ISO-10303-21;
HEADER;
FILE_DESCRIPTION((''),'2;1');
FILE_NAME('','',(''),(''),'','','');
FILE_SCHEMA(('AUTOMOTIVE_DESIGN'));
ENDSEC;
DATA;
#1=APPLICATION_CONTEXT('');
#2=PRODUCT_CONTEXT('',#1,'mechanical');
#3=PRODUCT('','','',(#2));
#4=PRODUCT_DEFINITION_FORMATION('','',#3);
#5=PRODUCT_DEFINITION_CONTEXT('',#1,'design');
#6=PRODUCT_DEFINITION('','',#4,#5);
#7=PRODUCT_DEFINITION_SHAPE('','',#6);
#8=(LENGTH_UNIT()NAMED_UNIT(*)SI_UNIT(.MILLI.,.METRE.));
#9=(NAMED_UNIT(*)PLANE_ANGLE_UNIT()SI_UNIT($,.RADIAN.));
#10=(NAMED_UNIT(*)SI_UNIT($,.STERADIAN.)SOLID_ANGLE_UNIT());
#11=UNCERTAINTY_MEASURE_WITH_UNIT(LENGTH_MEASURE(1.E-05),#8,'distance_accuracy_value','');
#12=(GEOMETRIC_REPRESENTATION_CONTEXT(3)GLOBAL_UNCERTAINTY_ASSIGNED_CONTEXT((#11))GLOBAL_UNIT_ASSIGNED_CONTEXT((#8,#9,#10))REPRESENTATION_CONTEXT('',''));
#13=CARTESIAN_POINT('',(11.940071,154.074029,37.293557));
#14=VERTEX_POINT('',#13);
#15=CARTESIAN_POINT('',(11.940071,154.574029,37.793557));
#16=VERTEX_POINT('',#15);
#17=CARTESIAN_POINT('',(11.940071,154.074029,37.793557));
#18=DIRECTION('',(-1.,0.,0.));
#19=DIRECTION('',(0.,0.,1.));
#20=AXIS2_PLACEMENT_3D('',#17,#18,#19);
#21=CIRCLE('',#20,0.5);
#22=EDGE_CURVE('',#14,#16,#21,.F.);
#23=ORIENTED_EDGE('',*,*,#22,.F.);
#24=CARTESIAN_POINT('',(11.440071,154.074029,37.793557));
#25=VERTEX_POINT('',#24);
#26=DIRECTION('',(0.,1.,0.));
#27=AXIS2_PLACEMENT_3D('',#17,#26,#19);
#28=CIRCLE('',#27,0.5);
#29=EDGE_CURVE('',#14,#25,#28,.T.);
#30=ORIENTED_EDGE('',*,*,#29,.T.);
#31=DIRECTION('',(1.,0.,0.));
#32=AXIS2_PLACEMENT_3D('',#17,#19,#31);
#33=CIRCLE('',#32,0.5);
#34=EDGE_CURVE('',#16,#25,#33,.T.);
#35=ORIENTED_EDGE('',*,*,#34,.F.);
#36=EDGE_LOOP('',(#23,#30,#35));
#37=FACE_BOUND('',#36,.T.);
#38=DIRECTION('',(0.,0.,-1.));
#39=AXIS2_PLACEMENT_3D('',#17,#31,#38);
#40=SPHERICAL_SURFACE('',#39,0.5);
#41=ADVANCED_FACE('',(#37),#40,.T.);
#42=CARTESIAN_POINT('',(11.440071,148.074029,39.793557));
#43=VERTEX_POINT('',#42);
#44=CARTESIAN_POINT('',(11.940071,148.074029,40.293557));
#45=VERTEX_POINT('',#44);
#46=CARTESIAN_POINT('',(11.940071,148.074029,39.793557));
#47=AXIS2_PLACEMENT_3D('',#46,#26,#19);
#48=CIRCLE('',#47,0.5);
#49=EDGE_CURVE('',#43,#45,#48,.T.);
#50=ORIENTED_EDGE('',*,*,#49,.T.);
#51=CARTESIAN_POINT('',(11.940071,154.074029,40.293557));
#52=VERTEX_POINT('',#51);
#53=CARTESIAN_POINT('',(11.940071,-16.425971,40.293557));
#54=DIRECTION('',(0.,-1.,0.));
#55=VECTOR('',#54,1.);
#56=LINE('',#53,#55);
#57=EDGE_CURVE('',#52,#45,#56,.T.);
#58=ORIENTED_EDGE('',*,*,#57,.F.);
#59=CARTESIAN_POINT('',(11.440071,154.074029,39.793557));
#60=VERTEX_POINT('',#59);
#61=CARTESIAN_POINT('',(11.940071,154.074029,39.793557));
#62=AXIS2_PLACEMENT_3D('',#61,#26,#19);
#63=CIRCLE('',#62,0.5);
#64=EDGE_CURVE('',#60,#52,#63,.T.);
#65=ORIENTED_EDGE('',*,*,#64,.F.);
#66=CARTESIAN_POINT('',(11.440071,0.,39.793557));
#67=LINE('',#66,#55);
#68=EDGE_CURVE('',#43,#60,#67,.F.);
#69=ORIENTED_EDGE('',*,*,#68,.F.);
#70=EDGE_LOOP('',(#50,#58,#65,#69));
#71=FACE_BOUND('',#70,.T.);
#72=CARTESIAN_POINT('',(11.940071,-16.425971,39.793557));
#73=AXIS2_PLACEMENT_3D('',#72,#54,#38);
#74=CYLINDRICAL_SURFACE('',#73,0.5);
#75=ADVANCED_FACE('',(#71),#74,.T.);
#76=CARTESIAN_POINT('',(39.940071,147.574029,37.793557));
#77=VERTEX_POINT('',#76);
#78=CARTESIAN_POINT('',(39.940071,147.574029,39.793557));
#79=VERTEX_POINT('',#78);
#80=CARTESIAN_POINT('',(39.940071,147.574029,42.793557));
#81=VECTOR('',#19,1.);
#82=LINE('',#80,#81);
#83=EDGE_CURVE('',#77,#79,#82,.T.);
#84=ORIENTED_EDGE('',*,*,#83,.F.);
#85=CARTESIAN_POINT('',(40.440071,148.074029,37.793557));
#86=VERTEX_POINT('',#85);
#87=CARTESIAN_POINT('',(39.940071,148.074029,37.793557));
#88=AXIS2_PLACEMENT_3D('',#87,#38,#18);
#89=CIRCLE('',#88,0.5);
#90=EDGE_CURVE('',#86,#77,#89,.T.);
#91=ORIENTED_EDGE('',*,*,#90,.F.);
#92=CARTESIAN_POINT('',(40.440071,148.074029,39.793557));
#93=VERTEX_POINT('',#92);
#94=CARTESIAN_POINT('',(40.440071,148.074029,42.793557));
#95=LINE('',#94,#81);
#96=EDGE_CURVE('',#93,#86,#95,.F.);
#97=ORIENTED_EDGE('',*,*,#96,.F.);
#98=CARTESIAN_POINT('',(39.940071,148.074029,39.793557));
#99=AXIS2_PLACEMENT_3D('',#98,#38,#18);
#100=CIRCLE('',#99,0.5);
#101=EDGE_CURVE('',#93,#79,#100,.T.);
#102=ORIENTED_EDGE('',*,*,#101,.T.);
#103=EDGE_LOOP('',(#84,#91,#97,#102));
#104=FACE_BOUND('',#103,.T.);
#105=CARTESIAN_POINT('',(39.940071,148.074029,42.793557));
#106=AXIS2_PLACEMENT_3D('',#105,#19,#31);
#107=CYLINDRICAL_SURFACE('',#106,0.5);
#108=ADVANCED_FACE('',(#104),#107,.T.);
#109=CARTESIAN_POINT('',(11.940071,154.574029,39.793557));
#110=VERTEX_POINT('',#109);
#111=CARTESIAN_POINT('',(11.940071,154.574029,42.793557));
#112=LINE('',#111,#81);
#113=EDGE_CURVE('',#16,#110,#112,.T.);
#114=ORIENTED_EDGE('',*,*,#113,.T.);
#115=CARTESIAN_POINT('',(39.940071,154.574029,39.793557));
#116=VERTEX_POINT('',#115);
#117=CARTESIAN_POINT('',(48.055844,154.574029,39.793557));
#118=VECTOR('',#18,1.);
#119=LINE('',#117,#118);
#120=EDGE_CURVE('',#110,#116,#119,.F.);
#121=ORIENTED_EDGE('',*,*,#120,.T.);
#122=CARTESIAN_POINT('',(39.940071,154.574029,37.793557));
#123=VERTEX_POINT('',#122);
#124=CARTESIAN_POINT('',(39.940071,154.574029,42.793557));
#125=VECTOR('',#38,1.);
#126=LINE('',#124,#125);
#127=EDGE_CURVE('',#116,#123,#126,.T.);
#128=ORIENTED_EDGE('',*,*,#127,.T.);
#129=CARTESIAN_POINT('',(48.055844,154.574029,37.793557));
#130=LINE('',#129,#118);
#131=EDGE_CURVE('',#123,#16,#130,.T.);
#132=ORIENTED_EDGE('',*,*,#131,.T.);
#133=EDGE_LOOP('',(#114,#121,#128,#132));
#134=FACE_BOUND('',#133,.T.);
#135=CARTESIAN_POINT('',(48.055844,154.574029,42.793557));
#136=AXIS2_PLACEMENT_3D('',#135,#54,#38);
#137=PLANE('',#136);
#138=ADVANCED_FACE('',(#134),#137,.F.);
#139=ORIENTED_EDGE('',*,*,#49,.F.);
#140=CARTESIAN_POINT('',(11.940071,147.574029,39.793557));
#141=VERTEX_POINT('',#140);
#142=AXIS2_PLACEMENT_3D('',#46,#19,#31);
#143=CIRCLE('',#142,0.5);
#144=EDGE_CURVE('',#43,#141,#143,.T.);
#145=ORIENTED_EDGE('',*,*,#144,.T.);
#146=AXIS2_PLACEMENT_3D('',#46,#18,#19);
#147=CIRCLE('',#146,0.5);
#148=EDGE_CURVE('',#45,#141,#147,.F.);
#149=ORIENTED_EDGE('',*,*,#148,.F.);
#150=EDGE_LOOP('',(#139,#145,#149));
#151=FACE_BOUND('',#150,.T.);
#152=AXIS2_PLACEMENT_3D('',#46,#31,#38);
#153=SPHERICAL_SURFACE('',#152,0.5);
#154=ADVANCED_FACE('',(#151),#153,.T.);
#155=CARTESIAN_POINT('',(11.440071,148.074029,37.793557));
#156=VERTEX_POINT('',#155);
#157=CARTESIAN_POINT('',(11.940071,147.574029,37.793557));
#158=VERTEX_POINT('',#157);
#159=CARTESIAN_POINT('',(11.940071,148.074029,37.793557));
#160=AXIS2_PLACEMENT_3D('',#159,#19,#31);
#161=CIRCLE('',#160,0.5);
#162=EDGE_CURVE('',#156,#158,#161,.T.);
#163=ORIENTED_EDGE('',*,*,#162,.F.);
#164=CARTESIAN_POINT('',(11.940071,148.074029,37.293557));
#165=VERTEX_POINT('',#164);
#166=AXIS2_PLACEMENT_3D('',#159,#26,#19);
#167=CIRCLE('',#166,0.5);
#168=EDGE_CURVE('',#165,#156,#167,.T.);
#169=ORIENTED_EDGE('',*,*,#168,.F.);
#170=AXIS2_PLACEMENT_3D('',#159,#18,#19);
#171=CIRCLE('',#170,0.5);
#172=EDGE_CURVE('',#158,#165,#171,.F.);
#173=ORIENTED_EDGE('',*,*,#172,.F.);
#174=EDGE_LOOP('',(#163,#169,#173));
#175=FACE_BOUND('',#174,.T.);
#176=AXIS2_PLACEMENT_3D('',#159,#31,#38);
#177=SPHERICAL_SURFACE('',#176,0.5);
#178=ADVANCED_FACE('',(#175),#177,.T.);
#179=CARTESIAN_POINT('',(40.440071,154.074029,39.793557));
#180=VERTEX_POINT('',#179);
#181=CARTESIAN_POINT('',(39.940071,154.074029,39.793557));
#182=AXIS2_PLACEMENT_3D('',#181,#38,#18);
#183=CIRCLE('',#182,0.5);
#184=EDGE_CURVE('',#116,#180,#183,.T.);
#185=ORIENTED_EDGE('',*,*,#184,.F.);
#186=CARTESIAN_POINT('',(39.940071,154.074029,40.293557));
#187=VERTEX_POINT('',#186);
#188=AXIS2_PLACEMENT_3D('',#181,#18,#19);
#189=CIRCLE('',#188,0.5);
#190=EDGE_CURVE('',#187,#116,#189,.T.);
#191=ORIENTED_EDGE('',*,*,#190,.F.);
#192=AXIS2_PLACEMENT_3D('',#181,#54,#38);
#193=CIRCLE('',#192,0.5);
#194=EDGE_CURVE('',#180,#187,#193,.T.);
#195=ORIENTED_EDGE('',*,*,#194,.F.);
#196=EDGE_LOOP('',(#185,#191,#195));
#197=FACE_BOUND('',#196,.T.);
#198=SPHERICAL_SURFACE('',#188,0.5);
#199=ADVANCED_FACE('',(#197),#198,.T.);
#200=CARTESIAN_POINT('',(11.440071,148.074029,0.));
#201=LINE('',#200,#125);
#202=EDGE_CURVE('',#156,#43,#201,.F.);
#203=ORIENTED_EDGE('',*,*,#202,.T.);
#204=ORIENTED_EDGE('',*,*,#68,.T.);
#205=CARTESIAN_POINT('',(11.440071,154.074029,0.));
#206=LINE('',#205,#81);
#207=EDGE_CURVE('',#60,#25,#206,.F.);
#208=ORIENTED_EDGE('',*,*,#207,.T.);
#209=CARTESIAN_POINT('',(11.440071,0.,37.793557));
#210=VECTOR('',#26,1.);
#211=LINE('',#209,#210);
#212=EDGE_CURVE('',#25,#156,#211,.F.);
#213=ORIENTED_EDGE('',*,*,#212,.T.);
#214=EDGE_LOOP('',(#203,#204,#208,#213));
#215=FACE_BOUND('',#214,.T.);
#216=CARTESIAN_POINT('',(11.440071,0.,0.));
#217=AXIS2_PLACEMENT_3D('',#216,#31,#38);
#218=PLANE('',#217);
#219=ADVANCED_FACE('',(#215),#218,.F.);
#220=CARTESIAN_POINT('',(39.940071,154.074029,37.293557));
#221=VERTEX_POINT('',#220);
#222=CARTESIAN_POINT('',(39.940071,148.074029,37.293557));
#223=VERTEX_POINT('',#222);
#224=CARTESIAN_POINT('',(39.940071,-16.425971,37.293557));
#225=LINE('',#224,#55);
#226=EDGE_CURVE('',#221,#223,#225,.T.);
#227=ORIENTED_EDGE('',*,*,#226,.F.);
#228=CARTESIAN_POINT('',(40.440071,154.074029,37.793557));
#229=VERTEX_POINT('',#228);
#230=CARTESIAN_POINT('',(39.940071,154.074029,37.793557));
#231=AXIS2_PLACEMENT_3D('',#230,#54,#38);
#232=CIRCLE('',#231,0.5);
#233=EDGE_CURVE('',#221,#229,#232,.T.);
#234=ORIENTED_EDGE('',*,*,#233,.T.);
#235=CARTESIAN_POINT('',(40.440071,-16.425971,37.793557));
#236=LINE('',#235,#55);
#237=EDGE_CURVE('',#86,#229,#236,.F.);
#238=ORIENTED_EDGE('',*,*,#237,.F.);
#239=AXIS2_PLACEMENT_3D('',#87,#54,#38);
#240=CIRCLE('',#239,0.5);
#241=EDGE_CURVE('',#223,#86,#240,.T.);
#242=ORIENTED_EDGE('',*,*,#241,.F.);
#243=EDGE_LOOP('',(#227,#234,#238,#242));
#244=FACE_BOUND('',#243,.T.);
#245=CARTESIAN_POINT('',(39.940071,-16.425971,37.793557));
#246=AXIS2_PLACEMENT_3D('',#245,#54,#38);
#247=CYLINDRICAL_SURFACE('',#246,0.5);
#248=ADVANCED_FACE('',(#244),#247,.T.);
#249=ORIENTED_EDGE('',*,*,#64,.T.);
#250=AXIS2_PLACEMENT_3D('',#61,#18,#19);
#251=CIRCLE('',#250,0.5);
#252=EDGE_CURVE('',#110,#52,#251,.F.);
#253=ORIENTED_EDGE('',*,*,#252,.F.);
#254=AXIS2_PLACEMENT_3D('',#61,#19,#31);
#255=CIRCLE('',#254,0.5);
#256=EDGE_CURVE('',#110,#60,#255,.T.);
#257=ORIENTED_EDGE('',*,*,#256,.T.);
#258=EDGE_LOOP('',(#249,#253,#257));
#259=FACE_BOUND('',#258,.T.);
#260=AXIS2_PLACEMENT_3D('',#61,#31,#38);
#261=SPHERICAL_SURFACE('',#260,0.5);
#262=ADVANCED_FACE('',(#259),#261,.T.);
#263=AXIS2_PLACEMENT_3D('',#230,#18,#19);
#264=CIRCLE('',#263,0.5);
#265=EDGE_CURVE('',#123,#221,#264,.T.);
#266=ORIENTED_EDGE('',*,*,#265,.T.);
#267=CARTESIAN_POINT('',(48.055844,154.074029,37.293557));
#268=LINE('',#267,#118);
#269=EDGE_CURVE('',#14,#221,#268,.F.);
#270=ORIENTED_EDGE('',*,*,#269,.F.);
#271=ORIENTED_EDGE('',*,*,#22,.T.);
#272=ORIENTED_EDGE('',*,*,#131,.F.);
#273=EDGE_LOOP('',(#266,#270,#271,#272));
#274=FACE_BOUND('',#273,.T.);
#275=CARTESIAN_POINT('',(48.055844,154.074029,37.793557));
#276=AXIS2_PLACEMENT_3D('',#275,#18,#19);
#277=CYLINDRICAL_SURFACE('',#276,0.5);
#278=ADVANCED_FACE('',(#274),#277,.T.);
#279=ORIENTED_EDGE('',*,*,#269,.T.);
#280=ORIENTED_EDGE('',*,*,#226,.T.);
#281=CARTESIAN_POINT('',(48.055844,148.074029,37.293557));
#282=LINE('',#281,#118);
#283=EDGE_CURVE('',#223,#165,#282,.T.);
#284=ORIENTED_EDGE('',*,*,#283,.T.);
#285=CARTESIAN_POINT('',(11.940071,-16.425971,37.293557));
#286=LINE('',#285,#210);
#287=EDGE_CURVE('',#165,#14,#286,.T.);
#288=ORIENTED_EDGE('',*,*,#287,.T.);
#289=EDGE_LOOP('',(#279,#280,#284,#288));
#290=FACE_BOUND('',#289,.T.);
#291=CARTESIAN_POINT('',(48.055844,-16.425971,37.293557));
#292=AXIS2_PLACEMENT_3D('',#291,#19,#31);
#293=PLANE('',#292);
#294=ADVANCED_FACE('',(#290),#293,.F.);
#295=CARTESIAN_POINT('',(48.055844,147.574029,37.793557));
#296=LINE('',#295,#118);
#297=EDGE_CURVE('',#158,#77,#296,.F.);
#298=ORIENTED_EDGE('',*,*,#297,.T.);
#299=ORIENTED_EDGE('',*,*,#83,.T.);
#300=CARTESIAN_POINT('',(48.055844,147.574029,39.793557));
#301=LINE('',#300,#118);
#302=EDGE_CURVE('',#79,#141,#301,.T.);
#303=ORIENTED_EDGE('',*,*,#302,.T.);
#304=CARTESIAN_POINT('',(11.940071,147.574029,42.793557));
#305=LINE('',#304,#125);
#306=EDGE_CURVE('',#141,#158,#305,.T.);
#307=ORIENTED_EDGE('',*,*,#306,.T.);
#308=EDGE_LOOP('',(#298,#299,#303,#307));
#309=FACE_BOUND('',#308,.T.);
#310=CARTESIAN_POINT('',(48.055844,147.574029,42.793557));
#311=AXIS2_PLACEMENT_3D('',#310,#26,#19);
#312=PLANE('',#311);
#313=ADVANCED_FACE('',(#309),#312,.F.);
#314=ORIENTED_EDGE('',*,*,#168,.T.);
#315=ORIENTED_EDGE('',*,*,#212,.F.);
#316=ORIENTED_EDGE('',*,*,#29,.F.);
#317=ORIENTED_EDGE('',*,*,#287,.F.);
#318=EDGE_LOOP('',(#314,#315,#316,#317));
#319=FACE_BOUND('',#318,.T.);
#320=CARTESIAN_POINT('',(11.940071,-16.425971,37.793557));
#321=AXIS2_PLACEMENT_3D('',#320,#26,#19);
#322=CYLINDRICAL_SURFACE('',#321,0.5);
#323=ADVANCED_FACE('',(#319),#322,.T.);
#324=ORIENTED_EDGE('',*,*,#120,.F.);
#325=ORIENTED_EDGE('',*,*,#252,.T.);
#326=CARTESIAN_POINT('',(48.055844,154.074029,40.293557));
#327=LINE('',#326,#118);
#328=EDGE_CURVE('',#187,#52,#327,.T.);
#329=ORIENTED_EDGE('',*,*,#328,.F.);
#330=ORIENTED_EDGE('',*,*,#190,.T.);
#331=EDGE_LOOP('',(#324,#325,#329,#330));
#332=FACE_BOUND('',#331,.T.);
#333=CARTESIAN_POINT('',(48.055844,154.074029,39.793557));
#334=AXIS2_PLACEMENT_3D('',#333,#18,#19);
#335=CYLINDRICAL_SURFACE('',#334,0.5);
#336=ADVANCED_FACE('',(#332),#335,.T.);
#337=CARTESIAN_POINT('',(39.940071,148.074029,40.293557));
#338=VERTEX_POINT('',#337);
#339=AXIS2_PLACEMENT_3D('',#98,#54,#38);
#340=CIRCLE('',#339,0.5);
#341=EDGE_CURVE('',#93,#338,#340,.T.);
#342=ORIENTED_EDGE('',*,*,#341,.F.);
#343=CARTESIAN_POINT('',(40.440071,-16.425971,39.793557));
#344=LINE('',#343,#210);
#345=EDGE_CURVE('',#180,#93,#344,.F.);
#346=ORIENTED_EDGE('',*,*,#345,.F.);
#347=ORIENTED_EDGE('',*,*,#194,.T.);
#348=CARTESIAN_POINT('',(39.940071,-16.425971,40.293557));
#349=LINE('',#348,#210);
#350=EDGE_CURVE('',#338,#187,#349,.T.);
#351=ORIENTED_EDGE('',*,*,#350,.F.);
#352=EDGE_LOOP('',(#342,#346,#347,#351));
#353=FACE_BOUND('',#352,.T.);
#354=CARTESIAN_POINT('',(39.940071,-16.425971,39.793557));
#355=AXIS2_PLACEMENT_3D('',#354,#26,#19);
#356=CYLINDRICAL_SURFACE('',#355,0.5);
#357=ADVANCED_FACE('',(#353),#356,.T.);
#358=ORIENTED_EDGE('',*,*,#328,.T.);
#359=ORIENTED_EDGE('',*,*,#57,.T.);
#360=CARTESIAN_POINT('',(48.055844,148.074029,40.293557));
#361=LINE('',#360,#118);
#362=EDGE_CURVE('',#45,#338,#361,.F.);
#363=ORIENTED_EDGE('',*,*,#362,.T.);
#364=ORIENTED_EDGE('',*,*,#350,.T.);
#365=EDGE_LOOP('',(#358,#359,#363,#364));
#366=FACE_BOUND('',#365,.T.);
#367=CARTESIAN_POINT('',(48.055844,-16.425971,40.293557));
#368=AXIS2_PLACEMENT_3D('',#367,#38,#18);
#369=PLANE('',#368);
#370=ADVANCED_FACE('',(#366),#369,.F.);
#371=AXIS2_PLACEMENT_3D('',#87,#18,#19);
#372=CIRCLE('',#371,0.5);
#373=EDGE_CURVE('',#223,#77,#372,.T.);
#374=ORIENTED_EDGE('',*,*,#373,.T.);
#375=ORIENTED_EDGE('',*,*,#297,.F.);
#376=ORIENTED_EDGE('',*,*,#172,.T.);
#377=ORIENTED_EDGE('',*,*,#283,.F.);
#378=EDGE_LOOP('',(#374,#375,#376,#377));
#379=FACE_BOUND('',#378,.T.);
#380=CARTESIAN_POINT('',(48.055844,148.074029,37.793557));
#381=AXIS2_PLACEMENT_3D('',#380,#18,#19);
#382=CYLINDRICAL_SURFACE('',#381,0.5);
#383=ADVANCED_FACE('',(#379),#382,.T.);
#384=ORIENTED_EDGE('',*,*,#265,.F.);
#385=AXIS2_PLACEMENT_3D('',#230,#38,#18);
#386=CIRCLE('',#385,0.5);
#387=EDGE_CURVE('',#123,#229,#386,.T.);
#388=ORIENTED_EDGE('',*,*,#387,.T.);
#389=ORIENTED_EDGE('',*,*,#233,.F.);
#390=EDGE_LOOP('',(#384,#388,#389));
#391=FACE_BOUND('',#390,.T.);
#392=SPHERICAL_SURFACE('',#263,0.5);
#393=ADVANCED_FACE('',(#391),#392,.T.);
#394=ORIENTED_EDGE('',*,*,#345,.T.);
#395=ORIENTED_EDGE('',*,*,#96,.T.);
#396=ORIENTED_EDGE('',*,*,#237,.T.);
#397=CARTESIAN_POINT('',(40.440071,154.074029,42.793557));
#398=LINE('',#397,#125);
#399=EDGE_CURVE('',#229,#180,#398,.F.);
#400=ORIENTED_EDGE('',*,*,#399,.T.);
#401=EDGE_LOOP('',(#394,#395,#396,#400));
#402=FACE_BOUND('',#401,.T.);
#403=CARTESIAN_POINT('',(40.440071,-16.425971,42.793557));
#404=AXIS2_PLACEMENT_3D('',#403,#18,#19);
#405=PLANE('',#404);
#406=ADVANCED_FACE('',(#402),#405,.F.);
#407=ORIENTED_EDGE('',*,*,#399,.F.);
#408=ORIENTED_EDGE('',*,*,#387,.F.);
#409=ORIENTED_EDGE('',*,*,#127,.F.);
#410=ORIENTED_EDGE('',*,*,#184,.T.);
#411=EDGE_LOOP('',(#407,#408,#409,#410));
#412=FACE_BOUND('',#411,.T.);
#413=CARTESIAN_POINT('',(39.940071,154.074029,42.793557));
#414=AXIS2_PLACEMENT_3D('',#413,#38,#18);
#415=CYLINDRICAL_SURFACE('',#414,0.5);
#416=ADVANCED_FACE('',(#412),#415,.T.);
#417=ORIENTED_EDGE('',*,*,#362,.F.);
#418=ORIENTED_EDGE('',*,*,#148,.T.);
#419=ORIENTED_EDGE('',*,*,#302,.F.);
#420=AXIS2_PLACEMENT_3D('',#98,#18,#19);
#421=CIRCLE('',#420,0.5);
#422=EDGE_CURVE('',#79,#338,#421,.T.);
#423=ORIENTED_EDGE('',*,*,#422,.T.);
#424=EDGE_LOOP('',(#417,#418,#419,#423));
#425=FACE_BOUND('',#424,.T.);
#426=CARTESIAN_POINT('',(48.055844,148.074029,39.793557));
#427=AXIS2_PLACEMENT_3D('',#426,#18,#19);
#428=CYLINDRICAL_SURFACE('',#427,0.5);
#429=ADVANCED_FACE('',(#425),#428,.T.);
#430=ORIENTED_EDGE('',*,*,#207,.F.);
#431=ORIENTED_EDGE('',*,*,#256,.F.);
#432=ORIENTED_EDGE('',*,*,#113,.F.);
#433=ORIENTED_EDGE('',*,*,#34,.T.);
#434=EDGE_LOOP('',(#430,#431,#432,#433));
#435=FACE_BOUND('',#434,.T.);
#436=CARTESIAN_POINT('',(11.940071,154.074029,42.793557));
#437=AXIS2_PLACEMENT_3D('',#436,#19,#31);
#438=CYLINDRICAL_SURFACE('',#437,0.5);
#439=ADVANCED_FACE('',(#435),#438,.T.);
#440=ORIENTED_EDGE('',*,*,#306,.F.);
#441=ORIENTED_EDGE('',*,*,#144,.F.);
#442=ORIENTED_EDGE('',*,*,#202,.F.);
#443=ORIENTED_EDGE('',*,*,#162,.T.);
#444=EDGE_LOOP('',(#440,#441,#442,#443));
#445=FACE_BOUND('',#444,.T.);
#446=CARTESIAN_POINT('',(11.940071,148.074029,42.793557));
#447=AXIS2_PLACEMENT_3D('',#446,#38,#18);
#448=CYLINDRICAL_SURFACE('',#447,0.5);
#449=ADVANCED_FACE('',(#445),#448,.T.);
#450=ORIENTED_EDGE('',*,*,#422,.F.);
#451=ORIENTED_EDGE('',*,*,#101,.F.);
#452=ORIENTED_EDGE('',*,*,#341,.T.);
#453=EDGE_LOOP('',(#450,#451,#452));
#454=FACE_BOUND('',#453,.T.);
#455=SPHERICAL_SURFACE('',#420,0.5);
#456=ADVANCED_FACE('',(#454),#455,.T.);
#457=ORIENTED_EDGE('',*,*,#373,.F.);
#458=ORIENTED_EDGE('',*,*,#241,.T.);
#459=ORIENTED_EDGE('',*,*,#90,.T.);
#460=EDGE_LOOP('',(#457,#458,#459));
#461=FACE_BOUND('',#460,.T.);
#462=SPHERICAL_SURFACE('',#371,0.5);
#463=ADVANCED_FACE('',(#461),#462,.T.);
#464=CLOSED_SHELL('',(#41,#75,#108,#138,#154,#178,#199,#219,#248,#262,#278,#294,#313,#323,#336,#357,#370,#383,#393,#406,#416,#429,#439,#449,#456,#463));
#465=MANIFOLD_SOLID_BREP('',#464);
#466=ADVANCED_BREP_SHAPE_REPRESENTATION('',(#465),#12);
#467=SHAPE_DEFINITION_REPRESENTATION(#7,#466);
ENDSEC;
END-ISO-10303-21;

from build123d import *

# Parameters (mm, degrees)
BOSS_EXTRUDE1_START = 11.440071
SKETCH2_W           = 3
SKETCH2_H           = 7
BOSS_EXTRUDE1_DEPTH = 29
FILLET1_R           = 0.5
FILLET3_R           = 0.5


with BuildPart() as part:
    # Sketch2 → Boss-Extrude1 (new body)
    with BuildSketch(Plane(origin=(0, 0, 0), x_dir=(0, 0, -1), z_dir=(1, 0, 0)).offset(BOSS_EXTRUDE1_START)):
        with Locations((-38.793556796, 151.074028513)):
            Rectangle(SKETCH2_W, SKETCH2_H)
    extrude(amount=BOSS_EXTRUDE1_DEPTH)

    # Fillet1
    fillet1_edges = [part.edges().sort_by_distance(p)[0] for p in [
        (25.940071, 154.574028513, 40.293556796),
        (25.940071, 154.574028513, 37.293556796),
        (25.940071, 147.574028513, 37.293556796),
        (25.940071, 147.574028513, 40.293556796),
    ]]
    fillet(fillet1_edges, radius=FILLET1_R)

    # Fillet3
    fillet3_edges = [part.edges().sort_by_distance(p)[0] for p in [
        (40.440071, 154.574028513, 38.793556796),
        (11.440071, 154.574028513, 38.793556796),
        (11.440071, 151.074028513, 40.293556796),
        (11.440071, 151.074028513, 37.293556796),
        (11.440071, 147.574028513, 38.793556796),
        (11.440071, 147.720475122, 40.147110187),
        (11.440071, 147.720475122, 37.440003406),
        (11.440071, 154.427581903, 40.147110187),
        (11.440071, 154.427581903, 37.440003406),
        (40.440071, 151.074028513, 37.293556796),
        (40.440071, 147.574028513, 38.793556796),
        (40.440071, 151.074028513, 40.293556796),
        (40.440071, 147.720475122, 40.147110187),
        (40.440071, 147.720475122, 37.440003406),
        (40.440071, 154.427581903, 40.147110187),
        (40.440071, 154.427581903, 37.440003406),
    ]]
    fillet(fillet3_edges, radius=FILLET3_R)


solid = part.part
